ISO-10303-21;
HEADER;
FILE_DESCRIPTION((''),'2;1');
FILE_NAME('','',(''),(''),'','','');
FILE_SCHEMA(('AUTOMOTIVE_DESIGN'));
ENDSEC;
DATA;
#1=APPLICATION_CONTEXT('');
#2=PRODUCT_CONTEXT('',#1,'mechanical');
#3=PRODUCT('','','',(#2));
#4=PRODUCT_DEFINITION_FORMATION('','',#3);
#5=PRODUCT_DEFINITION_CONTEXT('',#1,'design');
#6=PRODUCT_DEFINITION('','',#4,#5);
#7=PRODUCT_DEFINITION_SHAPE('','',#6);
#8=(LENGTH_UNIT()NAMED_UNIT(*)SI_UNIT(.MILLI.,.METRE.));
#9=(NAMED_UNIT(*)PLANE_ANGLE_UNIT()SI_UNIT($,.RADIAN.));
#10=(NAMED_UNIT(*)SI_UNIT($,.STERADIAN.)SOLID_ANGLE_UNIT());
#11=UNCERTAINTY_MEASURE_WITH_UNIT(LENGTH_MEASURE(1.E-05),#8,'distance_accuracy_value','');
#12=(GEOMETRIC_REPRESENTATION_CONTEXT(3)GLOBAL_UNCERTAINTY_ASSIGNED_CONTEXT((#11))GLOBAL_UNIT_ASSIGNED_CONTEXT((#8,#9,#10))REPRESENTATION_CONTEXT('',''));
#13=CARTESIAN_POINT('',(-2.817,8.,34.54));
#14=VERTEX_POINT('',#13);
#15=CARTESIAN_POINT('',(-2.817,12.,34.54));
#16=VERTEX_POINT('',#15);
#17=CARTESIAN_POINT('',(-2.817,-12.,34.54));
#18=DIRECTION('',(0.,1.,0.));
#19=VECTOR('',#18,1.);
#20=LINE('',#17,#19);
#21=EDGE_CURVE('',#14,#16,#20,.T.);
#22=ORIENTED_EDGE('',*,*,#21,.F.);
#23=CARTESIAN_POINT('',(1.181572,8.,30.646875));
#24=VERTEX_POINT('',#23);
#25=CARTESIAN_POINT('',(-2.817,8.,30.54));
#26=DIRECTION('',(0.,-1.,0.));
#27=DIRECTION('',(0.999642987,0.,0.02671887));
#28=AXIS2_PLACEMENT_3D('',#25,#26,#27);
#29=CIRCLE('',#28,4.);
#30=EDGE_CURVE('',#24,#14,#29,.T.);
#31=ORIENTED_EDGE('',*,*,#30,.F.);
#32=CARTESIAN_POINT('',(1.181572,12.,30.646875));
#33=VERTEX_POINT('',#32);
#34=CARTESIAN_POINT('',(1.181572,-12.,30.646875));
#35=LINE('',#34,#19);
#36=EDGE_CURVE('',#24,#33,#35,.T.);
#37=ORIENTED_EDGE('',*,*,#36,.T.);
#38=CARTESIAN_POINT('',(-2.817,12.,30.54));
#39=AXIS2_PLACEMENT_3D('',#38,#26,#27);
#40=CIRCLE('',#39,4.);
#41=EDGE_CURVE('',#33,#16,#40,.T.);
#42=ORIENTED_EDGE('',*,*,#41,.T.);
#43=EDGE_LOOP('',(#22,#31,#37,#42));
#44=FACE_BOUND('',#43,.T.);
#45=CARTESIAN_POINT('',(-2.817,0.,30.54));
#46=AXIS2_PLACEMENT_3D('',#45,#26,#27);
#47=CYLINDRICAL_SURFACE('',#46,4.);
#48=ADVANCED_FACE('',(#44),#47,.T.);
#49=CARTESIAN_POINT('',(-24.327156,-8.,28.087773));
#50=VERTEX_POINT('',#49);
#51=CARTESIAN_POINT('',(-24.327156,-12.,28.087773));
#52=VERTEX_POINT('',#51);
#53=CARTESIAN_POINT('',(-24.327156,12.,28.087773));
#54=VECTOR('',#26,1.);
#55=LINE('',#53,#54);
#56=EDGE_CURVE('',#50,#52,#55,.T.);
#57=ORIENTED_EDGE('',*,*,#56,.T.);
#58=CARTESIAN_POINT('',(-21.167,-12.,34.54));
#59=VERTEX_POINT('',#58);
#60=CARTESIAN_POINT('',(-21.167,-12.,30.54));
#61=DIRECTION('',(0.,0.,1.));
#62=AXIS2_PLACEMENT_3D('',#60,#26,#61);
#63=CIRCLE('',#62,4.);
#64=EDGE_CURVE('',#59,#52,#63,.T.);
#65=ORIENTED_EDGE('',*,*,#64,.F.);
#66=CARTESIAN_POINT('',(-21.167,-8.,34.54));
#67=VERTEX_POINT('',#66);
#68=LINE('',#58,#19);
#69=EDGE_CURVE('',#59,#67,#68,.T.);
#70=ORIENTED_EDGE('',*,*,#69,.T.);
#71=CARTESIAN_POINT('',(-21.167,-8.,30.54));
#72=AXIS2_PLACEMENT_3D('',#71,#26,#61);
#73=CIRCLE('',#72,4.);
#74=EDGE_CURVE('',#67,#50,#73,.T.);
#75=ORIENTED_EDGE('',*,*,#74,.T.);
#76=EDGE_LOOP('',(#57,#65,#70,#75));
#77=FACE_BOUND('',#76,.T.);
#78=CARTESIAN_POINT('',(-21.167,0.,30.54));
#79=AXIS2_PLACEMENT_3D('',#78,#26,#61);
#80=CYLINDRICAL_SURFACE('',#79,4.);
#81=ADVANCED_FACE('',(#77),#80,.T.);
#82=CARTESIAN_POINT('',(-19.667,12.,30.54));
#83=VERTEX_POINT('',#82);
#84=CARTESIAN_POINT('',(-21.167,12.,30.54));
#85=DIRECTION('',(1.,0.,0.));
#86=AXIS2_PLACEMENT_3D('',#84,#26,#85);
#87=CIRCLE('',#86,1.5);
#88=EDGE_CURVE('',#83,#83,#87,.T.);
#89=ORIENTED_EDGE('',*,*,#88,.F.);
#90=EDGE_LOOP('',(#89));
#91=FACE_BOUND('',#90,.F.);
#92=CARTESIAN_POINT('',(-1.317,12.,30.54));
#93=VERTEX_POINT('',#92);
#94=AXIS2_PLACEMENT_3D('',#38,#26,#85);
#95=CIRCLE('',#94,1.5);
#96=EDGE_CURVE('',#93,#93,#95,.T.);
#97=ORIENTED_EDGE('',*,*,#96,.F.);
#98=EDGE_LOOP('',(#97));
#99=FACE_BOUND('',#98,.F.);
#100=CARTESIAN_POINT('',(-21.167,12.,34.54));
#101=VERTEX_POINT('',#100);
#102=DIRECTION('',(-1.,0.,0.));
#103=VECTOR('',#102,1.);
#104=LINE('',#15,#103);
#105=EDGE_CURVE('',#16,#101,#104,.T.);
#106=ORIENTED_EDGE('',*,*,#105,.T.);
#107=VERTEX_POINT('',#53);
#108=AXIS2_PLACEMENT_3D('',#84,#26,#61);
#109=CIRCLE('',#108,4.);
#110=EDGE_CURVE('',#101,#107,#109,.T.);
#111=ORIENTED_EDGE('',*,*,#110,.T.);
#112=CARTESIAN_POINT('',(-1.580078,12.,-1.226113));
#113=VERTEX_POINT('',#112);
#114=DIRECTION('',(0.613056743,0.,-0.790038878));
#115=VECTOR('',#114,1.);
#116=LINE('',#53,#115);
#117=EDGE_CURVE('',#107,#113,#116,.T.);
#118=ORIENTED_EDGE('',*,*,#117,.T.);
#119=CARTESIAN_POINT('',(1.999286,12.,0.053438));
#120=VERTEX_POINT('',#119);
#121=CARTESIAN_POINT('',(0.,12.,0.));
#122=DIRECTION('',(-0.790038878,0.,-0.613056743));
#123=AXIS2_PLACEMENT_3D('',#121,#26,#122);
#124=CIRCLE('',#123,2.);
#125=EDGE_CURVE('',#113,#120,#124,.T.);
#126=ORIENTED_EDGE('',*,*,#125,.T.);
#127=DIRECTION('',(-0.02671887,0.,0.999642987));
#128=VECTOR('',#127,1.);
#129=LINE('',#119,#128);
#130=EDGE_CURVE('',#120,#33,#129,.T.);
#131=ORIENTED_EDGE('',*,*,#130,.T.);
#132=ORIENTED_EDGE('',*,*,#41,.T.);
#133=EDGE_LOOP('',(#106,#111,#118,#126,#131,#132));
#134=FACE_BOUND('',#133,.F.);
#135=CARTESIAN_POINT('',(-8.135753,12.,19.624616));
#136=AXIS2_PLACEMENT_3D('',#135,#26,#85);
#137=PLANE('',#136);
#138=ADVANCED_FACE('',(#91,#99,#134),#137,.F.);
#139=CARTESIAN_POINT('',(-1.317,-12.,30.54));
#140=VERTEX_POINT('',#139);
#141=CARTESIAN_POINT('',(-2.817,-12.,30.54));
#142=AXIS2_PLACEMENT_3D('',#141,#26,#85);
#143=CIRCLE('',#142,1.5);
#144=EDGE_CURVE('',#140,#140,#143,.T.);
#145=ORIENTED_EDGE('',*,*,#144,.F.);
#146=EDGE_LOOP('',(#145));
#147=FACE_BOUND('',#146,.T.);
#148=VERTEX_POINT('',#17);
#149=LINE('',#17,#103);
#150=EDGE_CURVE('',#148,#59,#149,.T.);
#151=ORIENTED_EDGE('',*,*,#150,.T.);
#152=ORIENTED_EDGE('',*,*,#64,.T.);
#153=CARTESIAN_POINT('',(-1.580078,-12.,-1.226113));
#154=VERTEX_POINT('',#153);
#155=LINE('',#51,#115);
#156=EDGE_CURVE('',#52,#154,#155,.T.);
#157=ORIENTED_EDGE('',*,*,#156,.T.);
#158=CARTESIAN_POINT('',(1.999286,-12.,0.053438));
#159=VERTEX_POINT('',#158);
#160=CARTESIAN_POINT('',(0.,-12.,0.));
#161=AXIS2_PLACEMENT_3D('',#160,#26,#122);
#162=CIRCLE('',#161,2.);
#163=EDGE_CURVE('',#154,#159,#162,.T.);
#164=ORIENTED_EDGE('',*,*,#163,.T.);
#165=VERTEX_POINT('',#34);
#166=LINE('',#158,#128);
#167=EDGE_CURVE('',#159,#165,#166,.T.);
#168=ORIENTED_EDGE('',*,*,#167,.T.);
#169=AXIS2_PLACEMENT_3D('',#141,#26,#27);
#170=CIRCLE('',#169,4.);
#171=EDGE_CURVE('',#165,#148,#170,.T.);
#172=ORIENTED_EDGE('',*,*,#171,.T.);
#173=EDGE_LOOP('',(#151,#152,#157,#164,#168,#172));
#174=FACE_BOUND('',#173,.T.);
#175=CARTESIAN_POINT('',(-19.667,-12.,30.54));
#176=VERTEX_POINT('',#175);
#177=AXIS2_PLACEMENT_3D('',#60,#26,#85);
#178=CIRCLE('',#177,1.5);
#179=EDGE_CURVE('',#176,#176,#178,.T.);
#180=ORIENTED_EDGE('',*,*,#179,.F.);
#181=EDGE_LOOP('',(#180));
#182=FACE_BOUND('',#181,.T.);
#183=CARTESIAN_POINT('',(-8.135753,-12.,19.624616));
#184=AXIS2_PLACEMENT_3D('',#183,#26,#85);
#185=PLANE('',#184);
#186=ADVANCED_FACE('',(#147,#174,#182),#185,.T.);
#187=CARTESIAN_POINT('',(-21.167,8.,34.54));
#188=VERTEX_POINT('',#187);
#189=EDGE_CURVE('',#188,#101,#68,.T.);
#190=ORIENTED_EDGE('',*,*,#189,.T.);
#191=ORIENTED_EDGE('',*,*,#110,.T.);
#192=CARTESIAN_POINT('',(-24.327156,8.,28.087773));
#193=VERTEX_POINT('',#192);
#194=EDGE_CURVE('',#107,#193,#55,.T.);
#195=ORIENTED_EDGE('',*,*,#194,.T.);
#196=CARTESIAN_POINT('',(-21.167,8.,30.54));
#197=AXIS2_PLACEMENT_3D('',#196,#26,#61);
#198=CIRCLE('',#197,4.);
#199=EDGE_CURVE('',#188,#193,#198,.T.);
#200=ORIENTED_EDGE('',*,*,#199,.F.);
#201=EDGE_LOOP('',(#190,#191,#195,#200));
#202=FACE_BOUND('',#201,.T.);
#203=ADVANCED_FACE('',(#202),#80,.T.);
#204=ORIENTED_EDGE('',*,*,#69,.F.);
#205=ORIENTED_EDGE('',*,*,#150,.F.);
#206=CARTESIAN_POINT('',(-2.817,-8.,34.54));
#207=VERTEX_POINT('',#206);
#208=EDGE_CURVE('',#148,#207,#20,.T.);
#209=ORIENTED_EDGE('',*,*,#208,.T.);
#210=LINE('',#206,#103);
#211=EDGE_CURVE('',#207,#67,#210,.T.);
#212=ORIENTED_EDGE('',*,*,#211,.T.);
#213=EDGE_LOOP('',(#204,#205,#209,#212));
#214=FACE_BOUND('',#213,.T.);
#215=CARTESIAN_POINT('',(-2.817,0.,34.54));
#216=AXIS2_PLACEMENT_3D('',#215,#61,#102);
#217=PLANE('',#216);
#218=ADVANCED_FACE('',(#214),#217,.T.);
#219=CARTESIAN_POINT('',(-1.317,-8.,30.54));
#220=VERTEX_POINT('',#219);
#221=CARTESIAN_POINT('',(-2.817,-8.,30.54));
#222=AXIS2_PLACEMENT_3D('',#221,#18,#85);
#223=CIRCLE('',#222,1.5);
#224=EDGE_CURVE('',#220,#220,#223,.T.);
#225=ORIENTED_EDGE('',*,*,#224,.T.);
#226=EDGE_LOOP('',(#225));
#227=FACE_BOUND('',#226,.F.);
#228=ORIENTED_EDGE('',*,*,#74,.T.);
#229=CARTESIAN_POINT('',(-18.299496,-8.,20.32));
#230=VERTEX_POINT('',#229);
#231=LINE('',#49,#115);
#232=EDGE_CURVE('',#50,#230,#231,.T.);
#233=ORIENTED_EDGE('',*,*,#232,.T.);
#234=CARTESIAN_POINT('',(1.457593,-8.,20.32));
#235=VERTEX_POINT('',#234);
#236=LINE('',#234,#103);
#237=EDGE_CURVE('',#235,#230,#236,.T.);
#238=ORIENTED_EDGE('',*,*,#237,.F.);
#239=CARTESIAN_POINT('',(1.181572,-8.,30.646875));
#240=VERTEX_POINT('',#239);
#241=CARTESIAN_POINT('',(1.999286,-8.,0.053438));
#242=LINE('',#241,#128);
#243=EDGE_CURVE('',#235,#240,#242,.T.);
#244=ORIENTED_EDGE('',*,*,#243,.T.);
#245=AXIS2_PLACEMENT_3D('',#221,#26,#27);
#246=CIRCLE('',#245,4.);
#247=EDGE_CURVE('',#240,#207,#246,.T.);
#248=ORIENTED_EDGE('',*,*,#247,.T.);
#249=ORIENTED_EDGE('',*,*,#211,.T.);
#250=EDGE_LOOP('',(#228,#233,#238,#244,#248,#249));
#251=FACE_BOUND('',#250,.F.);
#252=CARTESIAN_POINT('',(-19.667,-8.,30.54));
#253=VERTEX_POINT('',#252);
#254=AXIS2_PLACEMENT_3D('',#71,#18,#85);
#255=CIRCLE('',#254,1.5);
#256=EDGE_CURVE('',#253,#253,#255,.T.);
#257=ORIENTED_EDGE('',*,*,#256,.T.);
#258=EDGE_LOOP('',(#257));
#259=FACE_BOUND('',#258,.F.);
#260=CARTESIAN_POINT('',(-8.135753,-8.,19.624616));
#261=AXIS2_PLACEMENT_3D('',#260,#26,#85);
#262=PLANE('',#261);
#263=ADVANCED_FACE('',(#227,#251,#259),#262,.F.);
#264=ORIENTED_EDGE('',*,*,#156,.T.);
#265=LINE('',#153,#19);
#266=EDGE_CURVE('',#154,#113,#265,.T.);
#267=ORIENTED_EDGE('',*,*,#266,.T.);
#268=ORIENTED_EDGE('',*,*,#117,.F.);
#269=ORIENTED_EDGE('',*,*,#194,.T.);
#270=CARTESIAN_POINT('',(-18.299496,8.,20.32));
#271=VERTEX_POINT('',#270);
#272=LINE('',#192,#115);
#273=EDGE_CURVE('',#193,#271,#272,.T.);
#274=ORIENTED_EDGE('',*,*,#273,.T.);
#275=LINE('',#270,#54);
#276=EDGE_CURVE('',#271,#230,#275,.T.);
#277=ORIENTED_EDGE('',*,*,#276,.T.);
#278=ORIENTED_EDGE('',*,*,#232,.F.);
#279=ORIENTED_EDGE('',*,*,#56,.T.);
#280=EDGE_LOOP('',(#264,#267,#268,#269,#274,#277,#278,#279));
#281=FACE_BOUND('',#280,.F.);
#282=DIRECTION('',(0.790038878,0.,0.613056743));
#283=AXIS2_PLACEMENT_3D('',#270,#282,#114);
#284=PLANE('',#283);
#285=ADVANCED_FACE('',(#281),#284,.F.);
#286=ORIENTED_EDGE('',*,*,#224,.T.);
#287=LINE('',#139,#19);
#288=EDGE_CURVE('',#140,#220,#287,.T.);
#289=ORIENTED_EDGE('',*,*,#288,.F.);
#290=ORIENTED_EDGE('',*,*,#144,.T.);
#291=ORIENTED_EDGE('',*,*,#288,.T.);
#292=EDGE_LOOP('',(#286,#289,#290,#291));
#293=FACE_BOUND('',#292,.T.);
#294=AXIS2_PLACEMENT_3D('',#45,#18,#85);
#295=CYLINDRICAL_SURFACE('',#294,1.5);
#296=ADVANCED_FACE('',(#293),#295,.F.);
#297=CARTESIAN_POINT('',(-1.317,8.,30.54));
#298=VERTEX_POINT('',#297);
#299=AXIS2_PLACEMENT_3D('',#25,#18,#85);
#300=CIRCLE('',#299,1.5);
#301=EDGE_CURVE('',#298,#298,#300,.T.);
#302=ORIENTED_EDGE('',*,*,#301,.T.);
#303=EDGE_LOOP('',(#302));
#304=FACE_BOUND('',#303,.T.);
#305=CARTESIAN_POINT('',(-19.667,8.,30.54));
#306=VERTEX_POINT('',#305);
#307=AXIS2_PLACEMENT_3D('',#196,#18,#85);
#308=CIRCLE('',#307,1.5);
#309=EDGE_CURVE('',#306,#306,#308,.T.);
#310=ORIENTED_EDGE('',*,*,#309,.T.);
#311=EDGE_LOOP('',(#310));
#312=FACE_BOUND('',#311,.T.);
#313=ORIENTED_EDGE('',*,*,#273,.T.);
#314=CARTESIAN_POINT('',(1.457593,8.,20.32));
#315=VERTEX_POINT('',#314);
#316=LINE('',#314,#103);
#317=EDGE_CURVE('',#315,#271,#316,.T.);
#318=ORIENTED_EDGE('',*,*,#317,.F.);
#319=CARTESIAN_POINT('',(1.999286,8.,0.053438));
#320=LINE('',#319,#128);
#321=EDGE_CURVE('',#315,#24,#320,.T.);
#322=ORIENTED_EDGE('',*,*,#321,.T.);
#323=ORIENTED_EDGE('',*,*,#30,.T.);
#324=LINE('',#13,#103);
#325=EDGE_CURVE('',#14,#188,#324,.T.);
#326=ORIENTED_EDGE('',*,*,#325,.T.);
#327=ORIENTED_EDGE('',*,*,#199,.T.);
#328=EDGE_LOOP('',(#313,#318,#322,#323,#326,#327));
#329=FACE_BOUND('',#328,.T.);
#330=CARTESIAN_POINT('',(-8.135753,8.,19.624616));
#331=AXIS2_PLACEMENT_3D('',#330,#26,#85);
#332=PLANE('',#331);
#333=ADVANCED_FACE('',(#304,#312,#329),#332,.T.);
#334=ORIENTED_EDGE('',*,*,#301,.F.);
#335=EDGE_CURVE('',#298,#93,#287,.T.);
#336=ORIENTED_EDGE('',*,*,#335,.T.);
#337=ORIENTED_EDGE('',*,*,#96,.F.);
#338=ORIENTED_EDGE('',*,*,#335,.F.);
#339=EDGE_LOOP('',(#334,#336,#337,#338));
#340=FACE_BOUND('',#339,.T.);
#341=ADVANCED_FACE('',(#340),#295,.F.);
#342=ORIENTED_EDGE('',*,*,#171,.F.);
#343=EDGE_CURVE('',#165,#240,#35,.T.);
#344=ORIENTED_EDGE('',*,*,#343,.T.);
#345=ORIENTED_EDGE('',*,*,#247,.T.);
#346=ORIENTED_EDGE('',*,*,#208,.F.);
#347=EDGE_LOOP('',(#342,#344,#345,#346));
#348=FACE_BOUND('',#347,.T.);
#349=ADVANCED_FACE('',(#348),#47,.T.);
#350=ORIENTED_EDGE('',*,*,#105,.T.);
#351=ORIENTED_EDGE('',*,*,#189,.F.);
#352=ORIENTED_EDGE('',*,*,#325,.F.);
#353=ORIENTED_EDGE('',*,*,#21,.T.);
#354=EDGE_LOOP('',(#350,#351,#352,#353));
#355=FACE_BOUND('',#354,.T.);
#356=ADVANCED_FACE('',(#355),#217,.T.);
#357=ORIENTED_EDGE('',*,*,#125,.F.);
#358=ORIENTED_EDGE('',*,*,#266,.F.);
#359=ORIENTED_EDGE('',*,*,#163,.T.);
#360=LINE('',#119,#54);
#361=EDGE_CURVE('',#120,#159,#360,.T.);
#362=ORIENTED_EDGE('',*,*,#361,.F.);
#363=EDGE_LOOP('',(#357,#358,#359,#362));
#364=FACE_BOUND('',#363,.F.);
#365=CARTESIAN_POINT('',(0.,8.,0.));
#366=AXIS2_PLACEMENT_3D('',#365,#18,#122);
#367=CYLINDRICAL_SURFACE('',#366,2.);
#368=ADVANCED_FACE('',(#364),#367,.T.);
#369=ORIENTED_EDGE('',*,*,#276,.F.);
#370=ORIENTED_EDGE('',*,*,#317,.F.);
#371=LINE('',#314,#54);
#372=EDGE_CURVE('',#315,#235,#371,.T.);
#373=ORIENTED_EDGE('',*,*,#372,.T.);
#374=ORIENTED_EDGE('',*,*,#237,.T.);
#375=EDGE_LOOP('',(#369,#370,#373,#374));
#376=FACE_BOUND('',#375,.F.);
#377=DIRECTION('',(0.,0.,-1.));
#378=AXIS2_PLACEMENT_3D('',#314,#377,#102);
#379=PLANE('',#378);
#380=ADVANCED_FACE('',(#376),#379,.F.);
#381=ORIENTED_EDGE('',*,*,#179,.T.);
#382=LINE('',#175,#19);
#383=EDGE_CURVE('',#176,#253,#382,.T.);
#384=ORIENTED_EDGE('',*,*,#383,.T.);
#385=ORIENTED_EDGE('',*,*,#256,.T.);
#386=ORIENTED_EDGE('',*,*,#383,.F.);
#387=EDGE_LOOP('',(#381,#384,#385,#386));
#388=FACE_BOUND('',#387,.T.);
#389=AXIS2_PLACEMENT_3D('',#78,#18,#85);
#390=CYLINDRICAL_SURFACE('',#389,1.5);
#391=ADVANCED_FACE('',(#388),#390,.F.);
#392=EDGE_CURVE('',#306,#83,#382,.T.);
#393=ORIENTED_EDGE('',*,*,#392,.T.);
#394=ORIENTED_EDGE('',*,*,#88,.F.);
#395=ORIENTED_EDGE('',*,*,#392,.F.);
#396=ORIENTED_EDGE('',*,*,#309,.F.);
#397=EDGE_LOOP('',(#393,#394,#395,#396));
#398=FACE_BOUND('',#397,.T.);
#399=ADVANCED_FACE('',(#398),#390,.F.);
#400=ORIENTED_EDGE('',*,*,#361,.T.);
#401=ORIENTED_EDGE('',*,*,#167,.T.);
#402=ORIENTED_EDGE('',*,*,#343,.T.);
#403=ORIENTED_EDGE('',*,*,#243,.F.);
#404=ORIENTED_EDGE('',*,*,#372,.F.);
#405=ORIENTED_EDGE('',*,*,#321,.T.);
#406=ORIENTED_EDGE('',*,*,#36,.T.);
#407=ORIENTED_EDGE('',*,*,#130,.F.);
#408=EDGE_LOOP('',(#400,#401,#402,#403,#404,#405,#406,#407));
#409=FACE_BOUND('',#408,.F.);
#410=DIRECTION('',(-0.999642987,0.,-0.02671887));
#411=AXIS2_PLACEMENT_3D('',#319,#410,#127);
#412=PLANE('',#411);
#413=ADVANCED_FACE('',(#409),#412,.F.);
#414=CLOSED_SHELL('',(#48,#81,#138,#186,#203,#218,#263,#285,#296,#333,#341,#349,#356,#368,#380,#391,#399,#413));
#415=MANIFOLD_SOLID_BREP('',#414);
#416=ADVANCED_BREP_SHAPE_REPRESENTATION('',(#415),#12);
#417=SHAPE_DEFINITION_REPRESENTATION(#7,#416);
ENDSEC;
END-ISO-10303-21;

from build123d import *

# Parameters (mm, degrees)
F0_R     = 1.5
F1_DEPTH = 12
F3_DEPTH = 8
F5_DEPTH = 16


with BuildPart() as f1:
    # F0 (on Front) → F1 (new body, symmetric)
    with BuildSketch(Plane.XZ):
        with BuildLine():
            ThreePointArc((-21.167, 34.54), (-24.7592769863, 32.2994163957), (-24.3271555139, 28.0877730268))
            Line((-24.3271555139, 28.0877730268), (-1.5800777569, -1.2261134866))
            ThreePointArc((-1.5800777569, -1.2261134866), (0.6732360047, -1.8832825816), (1.9992859745, 0.0534377403))
            Line((1.9992859745, 0.0534377403), (1.181571949, 30.6468754807))
            ThreePointArc((1.181571949, 30.6468754807), (-0.0266148942, 33.4059642289), (-2.817, 34.54))
            Line((-2.817, 34.54), (-21.167, 34.54))
        make_face()
        with Locations((-21.167, 30.54)):
            Circle(F0_R, mode=Mode.SUBTRACT)
        with Locations((-2.817, 30.54)):
            Circle(F0_R, mode=Mode.SUBTRACT)
    extrude(amount=F1_DEPTH, both=True)

    # F2 (on Front) → F3 (cut, symmetric)
    with BuildSketch(Plane.XZ):
        with BuildLine():
            ThreePointArc((-1.5800777569, -1.2261134866), (0.6732360047, -1.8832825816), (1.9992859745, 0.0534377403))
            Line((1.9992859745, 0.0534377403), (1.181571949, 30.6468754807))
            ThreePointArc((1.181571949, 30.6468754807), (-0.0266148942, 33.4059642289), (-2.817, 34.54))
            Line((-2.817, 34.54), (-21.167, 34.54))
            ThreePointArc((-21.167, 34.54), (-24.7592769863, 32.2994163957), (-24.3271555139, 28.0877730268))
            Line((-24.3271555139, 28.0877730268), (-1.5800777569, -1.2261134866))
        make_face()
    extrude(amount=F3_DEPTH, both=True, mode=Mode.SUBTRACT)

    # F4 (on face) → F5 (join)
    with BuildSketch(Plane.XZ.offset(-8)):
        with BuildLine():
            ThreePointArc((-1.5800777569, -1.2261134866), (0.6732360047, -1.8832825816), (1.9992859745, 0.0534377403))
            Line((1.9992859745, 0.0534377403), (1.4575929373, 20.32))
            Line((1.4575929373, 20.32), (-18.2994956552, 20.32))
            Line((-18.2994956552, 20.32), (-1.5800777569, -1.2261134866))
        make_face()
    extrude(amount=F5_DEPTH)


solid = f1.part
